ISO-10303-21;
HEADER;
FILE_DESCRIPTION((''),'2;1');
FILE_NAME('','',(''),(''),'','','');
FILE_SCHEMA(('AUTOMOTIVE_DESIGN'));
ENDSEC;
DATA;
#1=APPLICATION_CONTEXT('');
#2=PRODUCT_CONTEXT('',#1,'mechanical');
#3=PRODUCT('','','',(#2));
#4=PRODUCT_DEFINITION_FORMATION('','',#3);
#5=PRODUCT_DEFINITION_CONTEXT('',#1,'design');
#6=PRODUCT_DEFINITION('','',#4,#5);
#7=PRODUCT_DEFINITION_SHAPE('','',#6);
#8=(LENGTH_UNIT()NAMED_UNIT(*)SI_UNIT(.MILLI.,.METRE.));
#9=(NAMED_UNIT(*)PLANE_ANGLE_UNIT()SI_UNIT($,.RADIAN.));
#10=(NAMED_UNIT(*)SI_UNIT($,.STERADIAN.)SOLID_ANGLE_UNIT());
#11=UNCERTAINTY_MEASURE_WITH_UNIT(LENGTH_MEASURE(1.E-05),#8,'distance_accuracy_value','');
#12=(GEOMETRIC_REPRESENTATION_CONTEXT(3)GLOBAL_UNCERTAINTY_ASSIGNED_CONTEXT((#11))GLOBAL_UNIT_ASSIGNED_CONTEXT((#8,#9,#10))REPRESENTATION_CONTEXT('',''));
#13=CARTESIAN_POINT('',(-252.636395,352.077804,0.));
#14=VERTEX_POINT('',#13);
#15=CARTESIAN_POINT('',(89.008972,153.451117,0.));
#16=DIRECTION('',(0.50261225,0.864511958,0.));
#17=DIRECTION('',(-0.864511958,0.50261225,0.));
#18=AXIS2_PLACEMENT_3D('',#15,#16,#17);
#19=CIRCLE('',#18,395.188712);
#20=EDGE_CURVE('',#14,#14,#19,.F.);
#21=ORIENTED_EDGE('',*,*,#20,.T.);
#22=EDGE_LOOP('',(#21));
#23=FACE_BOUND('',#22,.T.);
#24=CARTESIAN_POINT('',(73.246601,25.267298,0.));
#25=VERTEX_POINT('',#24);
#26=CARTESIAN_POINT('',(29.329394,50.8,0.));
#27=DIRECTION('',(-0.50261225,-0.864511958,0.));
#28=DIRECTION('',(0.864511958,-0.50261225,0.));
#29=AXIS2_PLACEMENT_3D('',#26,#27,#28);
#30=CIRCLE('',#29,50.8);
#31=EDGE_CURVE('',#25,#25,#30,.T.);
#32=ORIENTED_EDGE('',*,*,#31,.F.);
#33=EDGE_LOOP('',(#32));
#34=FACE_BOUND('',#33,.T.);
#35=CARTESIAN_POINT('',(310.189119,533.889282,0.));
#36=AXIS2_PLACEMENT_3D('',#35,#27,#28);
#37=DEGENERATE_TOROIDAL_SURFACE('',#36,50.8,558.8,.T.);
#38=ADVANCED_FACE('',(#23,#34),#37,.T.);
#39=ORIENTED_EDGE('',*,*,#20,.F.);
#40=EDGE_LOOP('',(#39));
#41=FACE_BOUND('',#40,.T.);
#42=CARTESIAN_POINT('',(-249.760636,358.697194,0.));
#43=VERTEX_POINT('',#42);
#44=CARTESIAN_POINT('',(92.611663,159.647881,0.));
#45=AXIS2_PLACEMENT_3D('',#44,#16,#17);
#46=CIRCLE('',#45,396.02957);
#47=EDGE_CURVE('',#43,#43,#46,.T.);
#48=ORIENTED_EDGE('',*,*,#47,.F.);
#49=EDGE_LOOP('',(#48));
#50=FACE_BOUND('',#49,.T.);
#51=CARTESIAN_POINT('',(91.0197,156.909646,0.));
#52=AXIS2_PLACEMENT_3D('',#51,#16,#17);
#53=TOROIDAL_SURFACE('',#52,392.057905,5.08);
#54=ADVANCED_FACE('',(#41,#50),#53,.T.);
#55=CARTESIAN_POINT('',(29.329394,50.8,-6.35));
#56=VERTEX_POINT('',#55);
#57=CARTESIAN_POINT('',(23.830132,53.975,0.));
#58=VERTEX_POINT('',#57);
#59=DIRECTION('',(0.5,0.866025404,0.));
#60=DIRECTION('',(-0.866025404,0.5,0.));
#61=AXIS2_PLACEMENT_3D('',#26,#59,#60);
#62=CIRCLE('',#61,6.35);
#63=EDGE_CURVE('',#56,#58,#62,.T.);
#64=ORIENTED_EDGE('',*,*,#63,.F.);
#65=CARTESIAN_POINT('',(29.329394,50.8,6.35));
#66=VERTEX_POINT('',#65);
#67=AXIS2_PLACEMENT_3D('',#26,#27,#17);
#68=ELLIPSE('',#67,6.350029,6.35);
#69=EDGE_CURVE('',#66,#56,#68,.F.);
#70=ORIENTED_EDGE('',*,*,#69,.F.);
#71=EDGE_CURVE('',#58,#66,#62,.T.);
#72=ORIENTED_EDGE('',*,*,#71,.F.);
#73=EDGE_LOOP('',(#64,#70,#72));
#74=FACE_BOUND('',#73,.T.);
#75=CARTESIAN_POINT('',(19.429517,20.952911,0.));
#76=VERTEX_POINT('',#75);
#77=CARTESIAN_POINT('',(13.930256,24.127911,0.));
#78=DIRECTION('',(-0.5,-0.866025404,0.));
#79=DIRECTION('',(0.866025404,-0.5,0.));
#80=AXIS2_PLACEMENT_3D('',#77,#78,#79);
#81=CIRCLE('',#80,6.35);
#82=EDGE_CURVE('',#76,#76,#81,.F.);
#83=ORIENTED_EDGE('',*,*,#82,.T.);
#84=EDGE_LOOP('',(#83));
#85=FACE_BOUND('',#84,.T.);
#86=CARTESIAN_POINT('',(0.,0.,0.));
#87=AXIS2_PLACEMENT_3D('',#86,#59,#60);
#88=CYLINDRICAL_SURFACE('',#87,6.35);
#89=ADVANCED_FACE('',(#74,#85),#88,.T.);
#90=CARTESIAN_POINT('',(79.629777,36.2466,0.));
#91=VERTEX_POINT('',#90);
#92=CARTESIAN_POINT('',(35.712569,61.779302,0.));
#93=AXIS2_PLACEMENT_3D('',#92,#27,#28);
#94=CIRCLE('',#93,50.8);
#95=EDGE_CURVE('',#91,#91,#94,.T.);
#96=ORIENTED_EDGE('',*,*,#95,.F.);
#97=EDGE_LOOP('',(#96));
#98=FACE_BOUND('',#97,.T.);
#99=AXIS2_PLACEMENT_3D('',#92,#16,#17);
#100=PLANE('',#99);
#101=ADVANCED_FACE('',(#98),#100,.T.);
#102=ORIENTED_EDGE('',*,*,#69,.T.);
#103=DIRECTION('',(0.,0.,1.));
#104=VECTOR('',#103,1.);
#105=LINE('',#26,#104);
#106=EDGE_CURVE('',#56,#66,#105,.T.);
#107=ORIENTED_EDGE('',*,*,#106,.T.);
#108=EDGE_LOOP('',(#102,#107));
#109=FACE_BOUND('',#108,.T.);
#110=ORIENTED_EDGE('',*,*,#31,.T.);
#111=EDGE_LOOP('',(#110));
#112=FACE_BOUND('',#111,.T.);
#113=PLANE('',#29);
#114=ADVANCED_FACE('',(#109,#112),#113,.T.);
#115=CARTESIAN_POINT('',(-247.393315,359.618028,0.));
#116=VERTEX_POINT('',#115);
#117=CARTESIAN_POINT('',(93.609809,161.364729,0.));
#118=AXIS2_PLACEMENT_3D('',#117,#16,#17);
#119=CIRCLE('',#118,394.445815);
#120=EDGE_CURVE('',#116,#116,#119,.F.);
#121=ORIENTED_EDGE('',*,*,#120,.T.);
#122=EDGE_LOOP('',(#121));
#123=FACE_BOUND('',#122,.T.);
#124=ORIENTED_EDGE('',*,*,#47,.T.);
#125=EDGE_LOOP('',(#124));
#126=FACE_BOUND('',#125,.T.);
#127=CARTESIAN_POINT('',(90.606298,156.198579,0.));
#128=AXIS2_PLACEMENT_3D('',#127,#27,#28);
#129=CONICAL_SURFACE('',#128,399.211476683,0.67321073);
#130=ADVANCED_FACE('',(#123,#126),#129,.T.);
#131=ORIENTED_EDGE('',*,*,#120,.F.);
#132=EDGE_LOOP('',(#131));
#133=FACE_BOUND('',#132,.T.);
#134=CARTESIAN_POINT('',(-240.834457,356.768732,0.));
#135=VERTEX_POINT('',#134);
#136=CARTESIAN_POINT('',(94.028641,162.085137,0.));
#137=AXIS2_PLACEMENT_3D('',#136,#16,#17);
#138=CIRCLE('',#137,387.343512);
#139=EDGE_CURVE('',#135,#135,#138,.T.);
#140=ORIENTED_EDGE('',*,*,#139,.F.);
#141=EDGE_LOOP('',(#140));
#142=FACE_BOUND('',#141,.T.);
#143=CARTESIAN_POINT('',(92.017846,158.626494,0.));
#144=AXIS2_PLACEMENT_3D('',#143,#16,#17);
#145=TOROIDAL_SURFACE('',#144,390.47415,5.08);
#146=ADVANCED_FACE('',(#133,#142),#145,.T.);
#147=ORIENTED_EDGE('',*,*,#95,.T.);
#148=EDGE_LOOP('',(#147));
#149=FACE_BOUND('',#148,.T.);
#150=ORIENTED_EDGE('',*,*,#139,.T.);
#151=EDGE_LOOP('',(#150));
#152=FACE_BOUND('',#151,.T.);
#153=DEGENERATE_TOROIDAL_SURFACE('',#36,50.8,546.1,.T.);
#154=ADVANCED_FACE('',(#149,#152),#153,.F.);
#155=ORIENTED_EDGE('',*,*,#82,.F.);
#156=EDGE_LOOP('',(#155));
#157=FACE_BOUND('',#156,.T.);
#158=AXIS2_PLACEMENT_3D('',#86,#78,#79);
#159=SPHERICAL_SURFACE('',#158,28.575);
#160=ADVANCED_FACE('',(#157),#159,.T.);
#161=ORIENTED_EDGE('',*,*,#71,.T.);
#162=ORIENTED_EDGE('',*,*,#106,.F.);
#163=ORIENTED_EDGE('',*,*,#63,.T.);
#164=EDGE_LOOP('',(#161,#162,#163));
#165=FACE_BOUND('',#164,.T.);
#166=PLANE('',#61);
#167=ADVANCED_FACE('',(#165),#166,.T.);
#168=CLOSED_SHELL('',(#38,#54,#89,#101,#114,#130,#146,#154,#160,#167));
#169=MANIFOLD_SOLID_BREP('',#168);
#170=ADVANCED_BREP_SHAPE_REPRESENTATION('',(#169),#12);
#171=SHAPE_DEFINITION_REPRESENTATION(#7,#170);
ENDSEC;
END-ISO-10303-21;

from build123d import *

# Parameters (mm, degrees)
SWEEP1_PROFILE_R = 6.35
FILLET2_R        = 5.08


with BuildPart() as part:
    # Sketch1 → Revolve1 (revolve)
    with BuildSketch(Plane.XY):
        with BuildLine():
            Line((0, 28.575), (0, -28.575))
            ThreePointArc((0, -28.575), (-28.575, 0), (0, 28.575))
        make_face()
    revolve(axis=Axis((0, 28.575, 0), (0, -1, 0)))

    # Sweep1: sweep along a path in Sketch3
    with BuildLine(Plane.XY) as sweep1_path:
        Line((0, 0), (29.329393675, 50.8))
    # Sweep1 profile (on start of the path) → Sweep1 (sweep)
    with BuildSketch(Plane(origin=(0, 0, 0), x_dir=(0.8660254037844399, -0.4999999999999978, 0), z_dir=(0.4999999999999978, 0.8660254037844399, 0))):
        Circle(SWEEP1_PROFILE_R)
    sweep(path=sweep1_path.line)

    # Sketch48 → Revolve4 (revolve)
    with BuildSketch(Plane.XY):
        with BuildLine():
            Line((29.329393675, 50.8), (73.246601158, 25.267297697))
            ThreePointArc((73.246601158, 25.267297697), (248.565164439, -40.386076535), (435.729393675, -44.45))
            Line((435.729393675, -44.45), (433.874323966, -31.886214091))
            ThreePointArc((433.874323966, -31.886214091), (250.963827213, -27.914652523), (79.629776734, 36.246599568))
            Line((79.629776734, 36.246599568), (35.712569251, 61.779301871))
            Line((35.712569251, 61.779301871), (29.329393675, 50.8))
        make_face()
    revolve(axis=Axis((29.329393675, 50.8, 0), (0.5026122500572271, 0.8645119583281723, 0)))

    # Fillet2
    fillet2_edges = [part.edges().sort_by_distance(p)[0] for p in [
        (-254.516797313, 356.847157088, 0),
        (-242.680690294, 361.451130441, 0),
    ]]
    fillet(fillet2_edges, radius=FILLET2_R)


solid = part.part
